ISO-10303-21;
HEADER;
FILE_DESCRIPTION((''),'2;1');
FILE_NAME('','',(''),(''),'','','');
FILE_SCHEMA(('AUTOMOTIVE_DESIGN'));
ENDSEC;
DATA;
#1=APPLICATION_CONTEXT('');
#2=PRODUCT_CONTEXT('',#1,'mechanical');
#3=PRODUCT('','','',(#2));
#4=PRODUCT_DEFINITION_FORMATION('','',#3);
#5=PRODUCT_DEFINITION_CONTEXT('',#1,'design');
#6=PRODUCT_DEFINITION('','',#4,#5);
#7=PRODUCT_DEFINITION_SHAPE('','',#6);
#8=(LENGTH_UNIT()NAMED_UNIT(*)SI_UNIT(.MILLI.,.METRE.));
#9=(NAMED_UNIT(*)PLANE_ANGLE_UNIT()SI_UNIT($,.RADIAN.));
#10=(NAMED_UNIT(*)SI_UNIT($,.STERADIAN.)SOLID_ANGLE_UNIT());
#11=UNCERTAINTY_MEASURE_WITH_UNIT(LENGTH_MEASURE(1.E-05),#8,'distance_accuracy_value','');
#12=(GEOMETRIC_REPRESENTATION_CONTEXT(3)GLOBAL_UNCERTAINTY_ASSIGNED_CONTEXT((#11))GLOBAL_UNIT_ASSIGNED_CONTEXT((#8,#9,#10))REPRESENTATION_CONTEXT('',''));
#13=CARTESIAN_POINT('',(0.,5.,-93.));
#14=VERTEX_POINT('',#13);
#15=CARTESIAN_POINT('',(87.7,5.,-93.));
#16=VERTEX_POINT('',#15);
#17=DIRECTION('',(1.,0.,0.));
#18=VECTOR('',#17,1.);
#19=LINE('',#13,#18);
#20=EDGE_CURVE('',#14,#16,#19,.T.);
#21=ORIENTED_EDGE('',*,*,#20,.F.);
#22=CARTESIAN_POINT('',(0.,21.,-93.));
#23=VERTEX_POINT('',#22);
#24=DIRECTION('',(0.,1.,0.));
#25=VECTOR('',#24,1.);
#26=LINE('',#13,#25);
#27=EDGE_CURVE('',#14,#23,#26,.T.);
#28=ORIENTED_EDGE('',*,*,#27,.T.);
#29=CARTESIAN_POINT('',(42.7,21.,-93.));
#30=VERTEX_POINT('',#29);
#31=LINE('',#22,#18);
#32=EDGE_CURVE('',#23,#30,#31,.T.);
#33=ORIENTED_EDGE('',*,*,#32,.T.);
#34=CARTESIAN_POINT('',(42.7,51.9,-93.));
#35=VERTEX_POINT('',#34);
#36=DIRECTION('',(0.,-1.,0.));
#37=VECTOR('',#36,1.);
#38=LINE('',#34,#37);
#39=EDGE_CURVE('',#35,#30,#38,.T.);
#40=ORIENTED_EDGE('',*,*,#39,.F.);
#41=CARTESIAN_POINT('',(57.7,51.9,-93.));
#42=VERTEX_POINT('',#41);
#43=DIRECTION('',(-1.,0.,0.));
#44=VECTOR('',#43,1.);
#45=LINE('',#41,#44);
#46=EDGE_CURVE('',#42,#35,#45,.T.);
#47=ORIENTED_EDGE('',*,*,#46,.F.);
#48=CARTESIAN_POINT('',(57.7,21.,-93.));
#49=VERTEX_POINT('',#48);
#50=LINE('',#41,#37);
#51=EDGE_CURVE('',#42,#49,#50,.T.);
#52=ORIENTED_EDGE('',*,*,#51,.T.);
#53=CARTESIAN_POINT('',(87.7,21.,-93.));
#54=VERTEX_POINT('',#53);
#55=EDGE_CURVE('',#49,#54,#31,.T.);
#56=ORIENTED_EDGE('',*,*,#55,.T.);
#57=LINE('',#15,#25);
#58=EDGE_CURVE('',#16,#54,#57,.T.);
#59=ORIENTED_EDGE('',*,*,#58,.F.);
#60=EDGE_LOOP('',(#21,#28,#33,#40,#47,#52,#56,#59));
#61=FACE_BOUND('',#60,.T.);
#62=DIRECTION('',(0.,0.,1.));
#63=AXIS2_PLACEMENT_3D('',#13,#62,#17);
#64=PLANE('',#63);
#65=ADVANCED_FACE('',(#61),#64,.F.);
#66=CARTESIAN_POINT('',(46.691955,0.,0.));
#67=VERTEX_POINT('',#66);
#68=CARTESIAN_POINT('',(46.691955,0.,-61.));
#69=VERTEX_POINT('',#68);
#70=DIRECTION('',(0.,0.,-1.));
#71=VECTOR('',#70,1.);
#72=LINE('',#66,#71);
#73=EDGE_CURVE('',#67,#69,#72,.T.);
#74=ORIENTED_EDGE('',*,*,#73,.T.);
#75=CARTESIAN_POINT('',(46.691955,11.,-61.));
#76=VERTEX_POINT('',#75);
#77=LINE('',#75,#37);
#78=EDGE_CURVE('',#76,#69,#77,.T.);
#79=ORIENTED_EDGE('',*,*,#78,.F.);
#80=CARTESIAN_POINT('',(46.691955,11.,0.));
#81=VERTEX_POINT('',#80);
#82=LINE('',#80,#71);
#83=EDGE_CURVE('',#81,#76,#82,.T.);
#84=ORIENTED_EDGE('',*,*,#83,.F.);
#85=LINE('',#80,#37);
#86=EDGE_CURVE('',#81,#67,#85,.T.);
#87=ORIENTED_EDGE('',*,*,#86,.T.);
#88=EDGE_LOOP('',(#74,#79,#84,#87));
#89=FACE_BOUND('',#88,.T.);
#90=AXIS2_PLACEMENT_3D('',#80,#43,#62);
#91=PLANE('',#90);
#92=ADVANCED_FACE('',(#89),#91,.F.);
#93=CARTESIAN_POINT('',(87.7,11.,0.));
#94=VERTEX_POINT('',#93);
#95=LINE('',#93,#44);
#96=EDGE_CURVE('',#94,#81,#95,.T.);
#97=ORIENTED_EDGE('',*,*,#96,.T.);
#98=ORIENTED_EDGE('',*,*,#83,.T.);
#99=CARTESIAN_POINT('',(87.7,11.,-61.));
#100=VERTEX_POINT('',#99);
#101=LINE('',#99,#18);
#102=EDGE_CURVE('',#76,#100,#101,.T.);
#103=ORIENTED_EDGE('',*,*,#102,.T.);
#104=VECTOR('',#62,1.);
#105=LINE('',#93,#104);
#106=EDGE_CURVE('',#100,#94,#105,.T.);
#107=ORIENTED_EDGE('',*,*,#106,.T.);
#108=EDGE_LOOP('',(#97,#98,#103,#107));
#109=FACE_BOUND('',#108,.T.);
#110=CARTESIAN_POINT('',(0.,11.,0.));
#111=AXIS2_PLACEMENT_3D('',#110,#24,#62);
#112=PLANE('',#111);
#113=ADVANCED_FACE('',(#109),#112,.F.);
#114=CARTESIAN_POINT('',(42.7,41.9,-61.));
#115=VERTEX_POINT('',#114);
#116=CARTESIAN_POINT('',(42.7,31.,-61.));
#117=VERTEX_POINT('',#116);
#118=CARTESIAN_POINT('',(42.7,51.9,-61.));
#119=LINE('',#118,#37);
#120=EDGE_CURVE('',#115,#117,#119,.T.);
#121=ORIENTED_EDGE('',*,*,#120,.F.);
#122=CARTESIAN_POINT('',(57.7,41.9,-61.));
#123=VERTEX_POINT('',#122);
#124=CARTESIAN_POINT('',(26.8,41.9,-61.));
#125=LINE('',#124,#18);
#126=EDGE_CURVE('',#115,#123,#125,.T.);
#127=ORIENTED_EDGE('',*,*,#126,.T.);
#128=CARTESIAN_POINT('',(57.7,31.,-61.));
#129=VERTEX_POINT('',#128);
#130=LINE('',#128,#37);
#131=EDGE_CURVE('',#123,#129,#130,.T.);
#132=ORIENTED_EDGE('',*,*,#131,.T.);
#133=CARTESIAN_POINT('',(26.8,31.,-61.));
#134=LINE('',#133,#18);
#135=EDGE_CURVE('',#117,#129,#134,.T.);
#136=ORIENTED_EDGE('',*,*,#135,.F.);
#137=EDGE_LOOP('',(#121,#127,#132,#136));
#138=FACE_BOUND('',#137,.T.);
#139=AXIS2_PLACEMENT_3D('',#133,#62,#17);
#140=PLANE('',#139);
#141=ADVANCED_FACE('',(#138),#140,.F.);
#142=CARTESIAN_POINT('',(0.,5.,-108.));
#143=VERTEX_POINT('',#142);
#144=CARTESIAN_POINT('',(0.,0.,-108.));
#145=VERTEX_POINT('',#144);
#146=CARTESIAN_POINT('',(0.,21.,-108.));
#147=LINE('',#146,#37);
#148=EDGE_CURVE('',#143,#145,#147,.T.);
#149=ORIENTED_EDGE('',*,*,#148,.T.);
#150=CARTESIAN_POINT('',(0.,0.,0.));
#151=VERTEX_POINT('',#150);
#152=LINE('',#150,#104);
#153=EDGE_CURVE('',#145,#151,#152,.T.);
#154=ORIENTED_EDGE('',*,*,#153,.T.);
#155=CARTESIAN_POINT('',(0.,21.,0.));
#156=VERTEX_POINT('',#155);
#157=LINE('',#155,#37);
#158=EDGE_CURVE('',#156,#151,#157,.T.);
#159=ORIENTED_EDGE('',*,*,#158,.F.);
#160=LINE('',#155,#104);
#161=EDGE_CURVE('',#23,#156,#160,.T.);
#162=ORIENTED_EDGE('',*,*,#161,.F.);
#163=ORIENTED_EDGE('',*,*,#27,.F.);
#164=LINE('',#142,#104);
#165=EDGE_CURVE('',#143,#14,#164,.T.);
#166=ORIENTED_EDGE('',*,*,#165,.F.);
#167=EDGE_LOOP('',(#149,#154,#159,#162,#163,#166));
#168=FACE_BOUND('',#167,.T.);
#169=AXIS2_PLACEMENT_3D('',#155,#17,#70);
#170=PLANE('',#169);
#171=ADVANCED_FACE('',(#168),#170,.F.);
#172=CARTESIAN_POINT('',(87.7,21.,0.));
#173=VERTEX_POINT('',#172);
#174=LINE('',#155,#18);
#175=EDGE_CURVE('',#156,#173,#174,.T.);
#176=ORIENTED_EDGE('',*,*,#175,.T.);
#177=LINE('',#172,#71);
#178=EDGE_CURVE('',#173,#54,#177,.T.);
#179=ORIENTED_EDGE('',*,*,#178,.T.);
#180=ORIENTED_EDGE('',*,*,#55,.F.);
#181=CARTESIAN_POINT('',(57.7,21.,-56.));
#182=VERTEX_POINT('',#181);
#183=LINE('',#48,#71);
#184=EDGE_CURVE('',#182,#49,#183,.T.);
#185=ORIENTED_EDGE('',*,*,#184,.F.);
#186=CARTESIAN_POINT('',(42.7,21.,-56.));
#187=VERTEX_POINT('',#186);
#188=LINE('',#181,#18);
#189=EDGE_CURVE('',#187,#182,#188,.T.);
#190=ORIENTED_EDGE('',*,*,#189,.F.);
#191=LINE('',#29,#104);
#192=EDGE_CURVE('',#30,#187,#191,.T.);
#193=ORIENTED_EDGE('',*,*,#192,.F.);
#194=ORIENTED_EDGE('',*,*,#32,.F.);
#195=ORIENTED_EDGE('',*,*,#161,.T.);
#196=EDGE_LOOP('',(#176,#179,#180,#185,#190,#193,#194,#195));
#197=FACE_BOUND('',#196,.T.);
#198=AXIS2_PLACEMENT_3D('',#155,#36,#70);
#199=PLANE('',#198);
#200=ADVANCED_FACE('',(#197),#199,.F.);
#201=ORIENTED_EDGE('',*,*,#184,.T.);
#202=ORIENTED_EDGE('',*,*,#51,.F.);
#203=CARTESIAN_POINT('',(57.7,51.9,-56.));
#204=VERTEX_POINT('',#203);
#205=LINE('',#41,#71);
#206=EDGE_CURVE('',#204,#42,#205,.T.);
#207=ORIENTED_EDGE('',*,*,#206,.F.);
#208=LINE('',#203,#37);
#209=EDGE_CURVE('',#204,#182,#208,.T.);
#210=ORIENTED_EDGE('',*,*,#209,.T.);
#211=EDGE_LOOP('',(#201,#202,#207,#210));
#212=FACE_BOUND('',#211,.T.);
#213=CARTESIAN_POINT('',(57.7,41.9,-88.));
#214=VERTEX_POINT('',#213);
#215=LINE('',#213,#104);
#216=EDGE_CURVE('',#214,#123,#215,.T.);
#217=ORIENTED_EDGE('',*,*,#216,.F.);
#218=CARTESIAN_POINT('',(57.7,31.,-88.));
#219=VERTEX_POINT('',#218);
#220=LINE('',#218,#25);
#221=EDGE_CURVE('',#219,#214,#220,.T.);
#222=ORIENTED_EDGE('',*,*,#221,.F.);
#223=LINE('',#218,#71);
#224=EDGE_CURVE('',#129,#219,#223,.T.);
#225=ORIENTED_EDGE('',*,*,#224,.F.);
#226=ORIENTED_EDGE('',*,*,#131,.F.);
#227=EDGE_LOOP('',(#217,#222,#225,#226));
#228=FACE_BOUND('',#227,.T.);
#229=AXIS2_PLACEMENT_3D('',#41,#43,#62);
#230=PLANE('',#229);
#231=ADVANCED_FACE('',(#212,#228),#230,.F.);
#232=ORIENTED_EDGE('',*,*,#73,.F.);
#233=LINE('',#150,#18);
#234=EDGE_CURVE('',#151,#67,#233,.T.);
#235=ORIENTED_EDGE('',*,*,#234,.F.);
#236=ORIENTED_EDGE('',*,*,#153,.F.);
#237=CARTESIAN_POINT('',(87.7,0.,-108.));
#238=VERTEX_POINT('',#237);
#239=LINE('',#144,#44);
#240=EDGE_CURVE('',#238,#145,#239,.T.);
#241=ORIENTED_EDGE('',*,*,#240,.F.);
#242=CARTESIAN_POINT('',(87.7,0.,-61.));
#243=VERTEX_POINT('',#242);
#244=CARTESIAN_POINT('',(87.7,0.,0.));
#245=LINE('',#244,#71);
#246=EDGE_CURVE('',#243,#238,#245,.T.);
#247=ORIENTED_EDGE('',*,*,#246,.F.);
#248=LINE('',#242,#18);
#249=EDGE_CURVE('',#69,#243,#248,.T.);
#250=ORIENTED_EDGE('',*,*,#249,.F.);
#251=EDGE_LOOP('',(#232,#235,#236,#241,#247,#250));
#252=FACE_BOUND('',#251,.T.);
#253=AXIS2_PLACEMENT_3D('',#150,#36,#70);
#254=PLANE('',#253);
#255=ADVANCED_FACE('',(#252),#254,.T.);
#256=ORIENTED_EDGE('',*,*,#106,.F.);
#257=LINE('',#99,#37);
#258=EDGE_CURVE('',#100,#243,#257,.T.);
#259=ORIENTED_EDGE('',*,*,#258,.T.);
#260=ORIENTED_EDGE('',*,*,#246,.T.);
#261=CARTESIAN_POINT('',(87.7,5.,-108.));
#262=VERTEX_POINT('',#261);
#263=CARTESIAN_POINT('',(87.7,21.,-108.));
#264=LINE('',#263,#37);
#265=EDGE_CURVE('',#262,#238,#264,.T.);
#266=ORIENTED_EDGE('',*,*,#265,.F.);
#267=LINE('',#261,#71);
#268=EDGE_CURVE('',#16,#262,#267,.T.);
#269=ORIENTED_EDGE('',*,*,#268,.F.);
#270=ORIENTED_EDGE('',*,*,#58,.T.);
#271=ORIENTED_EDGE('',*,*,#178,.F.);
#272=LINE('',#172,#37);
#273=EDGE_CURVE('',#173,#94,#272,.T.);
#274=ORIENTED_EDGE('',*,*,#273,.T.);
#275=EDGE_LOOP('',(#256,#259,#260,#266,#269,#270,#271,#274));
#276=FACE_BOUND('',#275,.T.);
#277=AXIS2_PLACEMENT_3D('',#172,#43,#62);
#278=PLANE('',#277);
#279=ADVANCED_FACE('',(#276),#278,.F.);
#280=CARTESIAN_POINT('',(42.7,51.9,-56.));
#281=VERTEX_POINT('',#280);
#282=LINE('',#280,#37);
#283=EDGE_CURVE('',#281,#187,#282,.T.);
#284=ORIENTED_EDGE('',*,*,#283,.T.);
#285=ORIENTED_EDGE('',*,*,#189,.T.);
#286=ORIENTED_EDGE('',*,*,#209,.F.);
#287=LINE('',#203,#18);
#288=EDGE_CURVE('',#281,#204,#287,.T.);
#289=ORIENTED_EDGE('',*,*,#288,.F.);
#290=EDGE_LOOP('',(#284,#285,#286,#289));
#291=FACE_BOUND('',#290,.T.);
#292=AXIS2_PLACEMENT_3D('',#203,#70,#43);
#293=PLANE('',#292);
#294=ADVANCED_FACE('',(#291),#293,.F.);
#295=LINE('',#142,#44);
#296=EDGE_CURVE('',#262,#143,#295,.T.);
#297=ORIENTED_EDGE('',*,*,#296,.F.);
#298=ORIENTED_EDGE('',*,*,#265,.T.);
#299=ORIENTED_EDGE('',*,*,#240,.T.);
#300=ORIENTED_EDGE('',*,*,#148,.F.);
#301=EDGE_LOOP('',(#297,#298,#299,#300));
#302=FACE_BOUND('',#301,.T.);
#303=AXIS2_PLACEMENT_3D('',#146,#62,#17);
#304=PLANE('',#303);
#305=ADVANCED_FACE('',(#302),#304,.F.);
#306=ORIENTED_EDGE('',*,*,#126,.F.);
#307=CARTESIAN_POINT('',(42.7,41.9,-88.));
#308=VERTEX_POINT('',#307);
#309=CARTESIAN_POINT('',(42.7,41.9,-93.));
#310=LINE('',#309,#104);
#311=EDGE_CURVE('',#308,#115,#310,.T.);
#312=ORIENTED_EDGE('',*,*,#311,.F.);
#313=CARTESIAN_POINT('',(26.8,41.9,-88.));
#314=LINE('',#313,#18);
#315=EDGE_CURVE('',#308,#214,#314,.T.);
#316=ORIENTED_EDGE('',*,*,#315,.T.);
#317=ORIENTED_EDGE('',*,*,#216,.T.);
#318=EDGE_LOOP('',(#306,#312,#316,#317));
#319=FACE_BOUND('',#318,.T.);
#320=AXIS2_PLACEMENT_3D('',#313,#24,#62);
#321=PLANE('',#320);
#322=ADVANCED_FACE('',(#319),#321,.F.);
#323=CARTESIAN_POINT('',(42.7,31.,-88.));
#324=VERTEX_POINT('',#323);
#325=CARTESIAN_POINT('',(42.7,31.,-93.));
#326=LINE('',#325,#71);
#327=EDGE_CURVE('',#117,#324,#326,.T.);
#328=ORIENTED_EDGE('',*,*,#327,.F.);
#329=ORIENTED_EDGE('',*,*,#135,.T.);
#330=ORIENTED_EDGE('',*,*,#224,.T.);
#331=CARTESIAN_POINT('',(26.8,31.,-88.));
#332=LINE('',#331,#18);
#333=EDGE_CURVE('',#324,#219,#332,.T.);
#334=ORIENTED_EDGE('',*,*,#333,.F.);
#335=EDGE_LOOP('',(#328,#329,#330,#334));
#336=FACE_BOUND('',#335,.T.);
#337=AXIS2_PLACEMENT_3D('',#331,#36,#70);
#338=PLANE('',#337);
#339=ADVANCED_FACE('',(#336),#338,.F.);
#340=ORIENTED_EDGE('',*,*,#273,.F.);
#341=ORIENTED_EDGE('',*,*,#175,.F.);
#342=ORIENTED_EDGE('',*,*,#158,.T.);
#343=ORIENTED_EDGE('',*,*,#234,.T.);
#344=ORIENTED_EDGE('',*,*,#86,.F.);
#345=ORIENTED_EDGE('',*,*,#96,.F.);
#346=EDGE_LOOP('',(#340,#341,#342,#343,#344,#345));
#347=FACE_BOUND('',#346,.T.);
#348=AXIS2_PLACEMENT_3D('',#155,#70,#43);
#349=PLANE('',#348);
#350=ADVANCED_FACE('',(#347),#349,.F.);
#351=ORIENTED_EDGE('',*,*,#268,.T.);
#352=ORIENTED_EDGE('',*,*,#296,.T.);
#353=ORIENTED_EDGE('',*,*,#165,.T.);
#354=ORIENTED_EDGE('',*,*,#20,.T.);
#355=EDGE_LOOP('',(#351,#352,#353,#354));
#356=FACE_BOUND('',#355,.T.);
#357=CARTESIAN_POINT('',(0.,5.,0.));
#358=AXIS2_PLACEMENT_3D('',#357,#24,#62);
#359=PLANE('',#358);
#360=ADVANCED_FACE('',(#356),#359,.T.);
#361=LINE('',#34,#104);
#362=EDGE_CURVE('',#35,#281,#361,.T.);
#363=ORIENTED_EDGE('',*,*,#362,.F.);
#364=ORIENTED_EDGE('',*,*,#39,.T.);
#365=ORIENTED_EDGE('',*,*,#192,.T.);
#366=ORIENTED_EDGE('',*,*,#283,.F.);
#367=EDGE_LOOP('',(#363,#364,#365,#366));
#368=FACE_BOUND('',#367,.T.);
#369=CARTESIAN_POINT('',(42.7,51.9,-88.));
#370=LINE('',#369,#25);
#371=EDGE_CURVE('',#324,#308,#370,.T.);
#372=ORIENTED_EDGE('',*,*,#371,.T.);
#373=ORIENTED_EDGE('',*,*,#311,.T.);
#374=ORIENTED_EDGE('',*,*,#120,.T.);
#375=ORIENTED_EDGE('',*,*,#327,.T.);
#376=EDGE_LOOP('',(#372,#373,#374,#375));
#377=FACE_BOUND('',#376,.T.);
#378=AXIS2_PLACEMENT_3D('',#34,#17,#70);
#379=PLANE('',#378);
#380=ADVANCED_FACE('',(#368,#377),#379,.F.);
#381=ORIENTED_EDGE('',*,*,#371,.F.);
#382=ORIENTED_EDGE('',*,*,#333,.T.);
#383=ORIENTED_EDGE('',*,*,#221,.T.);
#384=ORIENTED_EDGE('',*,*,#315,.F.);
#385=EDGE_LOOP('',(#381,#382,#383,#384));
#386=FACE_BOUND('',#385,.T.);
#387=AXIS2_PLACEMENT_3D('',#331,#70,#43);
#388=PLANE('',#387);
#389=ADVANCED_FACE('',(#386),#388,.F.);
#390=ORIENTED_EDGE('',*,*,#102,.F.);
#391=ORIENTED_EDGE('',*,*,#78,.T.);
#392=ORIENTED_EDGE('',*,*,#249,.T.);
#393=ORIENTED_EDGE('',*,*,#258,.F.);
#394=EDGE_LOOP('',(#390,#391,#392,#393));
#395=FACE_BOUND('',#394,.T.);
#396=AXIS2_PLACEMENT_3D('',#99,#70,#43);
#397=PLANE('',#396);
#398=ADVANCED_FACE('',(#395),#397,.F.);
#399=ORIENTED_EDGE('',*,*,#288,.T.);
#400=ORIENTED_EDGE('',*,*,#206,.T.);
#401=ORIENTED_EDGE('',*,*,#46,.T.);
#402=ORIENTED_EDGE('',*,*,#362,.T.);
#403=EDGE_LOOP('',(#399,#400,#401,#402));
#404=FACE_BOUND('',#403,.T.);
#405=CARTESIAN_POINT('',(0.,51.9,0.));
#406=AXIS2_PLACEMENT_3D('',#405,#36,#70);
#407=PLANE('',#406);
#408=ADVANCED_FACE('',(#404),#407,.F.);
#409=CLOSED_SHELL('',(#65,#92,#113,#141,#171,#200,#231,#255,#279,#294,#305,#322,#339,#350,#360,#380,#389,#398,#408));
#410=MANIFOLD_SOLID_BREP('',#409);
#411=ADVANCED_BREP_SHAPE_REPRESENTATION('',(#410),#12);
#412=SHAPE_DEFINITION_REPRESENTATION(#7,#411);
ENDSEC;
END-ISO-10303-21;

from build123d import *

# Parameters (mm, degrees)
SKETCH1_W           = 87.7
SKETCH1_H           = 108
BOSS_EXTRUDE1_DEPTH = 21
SKETCH2_W           = 41.008045073
SKETCH2_H           = 61
CUT_EXTRUDE1_DEPTH  = 11
SKETCH5_W           = 87.7
SKETCH5_H           = 15
CUT_EXTRUDE2_DEPTH  = 16
SKETCH7_W           = 15
SKETCH7_H           = 37
BOSS_EXTRUDE2_DEPTH = 30.9
SKETCH8_W           = 27
SKETCH8_H           = 10.9
CUT_EXTRUDE3_DEPTH  = 30.9


with BuildPart() as part:
    # Sketch1 → Boss-Extrude1 (new body)
    with BuildSketch(Plane(origin=(0, 0, 0), x_dir=(1, 0, 0), z_dir=(0, 1, 0))):
        with Locations((43.85, 54)):
            Rectangle(SKETCH1_W, SKETCH1_H)
    extrude(amount=BOSS_EXTRUDE1_DEPTH)

    # Sketch2 → Cut-Extrude1 (cut)
    with BuildSketch(Plane(origin=(0, 0, 0), x_dir=(-1, 0, 0), z_dir=(0, -1, 0))):
        with Locations((-67.195977464, 30.5)):
            Rectangle(SKETCH2_W, SKETCH2_H)
    extrude(amount=-CUT_EXTRUDE1_DEPTH, mode=Mode.SUBTRACT)

    # Sketch5 → Cut-Extrude2 (cut)
    with BuildSketch(Plane(origin=(0, 21, 0), x_dir=(1, 0, 0), z_dir=(0, 1, 0))):
        with Locations((43.85, 100.5)):
            Rectangle(SKETCH5_W, SKETCH5_H)
    extrude(amount=-CUT_EXTRUDE2_DEPTH, mode=Mode.SUBTRACT)

    # Sketch7 → Boss-Extrude2 (add)
    with BuildSketch(Plane(origin=(0, 21, 0), x_dir=(1, 0, 0), z_dir=(0, 1, 0))):
        with Locations((50.2, 74.5)):
            Rectangle(SKETCH7_W, SKETCH7_H)
    extrude(amount=BOSS_EXTRUDE2_DEPTH)

    # Sketch8 → Cut-Extrude3 (cut)
    with BuildSketch(Plane(origin=(57.7, 0, 0), x_dir=(0, 0, -1), z_dir=(1, 0, 0))):
        with Locations((74.5, 36.45)):
            Rectangle(SKETCH8_W, SKETCH8_H)
    extrude(amount=-CUT_EXTRUDE3_DEPTH, mode=Mode.SUBTRACT)


solid = part.part
